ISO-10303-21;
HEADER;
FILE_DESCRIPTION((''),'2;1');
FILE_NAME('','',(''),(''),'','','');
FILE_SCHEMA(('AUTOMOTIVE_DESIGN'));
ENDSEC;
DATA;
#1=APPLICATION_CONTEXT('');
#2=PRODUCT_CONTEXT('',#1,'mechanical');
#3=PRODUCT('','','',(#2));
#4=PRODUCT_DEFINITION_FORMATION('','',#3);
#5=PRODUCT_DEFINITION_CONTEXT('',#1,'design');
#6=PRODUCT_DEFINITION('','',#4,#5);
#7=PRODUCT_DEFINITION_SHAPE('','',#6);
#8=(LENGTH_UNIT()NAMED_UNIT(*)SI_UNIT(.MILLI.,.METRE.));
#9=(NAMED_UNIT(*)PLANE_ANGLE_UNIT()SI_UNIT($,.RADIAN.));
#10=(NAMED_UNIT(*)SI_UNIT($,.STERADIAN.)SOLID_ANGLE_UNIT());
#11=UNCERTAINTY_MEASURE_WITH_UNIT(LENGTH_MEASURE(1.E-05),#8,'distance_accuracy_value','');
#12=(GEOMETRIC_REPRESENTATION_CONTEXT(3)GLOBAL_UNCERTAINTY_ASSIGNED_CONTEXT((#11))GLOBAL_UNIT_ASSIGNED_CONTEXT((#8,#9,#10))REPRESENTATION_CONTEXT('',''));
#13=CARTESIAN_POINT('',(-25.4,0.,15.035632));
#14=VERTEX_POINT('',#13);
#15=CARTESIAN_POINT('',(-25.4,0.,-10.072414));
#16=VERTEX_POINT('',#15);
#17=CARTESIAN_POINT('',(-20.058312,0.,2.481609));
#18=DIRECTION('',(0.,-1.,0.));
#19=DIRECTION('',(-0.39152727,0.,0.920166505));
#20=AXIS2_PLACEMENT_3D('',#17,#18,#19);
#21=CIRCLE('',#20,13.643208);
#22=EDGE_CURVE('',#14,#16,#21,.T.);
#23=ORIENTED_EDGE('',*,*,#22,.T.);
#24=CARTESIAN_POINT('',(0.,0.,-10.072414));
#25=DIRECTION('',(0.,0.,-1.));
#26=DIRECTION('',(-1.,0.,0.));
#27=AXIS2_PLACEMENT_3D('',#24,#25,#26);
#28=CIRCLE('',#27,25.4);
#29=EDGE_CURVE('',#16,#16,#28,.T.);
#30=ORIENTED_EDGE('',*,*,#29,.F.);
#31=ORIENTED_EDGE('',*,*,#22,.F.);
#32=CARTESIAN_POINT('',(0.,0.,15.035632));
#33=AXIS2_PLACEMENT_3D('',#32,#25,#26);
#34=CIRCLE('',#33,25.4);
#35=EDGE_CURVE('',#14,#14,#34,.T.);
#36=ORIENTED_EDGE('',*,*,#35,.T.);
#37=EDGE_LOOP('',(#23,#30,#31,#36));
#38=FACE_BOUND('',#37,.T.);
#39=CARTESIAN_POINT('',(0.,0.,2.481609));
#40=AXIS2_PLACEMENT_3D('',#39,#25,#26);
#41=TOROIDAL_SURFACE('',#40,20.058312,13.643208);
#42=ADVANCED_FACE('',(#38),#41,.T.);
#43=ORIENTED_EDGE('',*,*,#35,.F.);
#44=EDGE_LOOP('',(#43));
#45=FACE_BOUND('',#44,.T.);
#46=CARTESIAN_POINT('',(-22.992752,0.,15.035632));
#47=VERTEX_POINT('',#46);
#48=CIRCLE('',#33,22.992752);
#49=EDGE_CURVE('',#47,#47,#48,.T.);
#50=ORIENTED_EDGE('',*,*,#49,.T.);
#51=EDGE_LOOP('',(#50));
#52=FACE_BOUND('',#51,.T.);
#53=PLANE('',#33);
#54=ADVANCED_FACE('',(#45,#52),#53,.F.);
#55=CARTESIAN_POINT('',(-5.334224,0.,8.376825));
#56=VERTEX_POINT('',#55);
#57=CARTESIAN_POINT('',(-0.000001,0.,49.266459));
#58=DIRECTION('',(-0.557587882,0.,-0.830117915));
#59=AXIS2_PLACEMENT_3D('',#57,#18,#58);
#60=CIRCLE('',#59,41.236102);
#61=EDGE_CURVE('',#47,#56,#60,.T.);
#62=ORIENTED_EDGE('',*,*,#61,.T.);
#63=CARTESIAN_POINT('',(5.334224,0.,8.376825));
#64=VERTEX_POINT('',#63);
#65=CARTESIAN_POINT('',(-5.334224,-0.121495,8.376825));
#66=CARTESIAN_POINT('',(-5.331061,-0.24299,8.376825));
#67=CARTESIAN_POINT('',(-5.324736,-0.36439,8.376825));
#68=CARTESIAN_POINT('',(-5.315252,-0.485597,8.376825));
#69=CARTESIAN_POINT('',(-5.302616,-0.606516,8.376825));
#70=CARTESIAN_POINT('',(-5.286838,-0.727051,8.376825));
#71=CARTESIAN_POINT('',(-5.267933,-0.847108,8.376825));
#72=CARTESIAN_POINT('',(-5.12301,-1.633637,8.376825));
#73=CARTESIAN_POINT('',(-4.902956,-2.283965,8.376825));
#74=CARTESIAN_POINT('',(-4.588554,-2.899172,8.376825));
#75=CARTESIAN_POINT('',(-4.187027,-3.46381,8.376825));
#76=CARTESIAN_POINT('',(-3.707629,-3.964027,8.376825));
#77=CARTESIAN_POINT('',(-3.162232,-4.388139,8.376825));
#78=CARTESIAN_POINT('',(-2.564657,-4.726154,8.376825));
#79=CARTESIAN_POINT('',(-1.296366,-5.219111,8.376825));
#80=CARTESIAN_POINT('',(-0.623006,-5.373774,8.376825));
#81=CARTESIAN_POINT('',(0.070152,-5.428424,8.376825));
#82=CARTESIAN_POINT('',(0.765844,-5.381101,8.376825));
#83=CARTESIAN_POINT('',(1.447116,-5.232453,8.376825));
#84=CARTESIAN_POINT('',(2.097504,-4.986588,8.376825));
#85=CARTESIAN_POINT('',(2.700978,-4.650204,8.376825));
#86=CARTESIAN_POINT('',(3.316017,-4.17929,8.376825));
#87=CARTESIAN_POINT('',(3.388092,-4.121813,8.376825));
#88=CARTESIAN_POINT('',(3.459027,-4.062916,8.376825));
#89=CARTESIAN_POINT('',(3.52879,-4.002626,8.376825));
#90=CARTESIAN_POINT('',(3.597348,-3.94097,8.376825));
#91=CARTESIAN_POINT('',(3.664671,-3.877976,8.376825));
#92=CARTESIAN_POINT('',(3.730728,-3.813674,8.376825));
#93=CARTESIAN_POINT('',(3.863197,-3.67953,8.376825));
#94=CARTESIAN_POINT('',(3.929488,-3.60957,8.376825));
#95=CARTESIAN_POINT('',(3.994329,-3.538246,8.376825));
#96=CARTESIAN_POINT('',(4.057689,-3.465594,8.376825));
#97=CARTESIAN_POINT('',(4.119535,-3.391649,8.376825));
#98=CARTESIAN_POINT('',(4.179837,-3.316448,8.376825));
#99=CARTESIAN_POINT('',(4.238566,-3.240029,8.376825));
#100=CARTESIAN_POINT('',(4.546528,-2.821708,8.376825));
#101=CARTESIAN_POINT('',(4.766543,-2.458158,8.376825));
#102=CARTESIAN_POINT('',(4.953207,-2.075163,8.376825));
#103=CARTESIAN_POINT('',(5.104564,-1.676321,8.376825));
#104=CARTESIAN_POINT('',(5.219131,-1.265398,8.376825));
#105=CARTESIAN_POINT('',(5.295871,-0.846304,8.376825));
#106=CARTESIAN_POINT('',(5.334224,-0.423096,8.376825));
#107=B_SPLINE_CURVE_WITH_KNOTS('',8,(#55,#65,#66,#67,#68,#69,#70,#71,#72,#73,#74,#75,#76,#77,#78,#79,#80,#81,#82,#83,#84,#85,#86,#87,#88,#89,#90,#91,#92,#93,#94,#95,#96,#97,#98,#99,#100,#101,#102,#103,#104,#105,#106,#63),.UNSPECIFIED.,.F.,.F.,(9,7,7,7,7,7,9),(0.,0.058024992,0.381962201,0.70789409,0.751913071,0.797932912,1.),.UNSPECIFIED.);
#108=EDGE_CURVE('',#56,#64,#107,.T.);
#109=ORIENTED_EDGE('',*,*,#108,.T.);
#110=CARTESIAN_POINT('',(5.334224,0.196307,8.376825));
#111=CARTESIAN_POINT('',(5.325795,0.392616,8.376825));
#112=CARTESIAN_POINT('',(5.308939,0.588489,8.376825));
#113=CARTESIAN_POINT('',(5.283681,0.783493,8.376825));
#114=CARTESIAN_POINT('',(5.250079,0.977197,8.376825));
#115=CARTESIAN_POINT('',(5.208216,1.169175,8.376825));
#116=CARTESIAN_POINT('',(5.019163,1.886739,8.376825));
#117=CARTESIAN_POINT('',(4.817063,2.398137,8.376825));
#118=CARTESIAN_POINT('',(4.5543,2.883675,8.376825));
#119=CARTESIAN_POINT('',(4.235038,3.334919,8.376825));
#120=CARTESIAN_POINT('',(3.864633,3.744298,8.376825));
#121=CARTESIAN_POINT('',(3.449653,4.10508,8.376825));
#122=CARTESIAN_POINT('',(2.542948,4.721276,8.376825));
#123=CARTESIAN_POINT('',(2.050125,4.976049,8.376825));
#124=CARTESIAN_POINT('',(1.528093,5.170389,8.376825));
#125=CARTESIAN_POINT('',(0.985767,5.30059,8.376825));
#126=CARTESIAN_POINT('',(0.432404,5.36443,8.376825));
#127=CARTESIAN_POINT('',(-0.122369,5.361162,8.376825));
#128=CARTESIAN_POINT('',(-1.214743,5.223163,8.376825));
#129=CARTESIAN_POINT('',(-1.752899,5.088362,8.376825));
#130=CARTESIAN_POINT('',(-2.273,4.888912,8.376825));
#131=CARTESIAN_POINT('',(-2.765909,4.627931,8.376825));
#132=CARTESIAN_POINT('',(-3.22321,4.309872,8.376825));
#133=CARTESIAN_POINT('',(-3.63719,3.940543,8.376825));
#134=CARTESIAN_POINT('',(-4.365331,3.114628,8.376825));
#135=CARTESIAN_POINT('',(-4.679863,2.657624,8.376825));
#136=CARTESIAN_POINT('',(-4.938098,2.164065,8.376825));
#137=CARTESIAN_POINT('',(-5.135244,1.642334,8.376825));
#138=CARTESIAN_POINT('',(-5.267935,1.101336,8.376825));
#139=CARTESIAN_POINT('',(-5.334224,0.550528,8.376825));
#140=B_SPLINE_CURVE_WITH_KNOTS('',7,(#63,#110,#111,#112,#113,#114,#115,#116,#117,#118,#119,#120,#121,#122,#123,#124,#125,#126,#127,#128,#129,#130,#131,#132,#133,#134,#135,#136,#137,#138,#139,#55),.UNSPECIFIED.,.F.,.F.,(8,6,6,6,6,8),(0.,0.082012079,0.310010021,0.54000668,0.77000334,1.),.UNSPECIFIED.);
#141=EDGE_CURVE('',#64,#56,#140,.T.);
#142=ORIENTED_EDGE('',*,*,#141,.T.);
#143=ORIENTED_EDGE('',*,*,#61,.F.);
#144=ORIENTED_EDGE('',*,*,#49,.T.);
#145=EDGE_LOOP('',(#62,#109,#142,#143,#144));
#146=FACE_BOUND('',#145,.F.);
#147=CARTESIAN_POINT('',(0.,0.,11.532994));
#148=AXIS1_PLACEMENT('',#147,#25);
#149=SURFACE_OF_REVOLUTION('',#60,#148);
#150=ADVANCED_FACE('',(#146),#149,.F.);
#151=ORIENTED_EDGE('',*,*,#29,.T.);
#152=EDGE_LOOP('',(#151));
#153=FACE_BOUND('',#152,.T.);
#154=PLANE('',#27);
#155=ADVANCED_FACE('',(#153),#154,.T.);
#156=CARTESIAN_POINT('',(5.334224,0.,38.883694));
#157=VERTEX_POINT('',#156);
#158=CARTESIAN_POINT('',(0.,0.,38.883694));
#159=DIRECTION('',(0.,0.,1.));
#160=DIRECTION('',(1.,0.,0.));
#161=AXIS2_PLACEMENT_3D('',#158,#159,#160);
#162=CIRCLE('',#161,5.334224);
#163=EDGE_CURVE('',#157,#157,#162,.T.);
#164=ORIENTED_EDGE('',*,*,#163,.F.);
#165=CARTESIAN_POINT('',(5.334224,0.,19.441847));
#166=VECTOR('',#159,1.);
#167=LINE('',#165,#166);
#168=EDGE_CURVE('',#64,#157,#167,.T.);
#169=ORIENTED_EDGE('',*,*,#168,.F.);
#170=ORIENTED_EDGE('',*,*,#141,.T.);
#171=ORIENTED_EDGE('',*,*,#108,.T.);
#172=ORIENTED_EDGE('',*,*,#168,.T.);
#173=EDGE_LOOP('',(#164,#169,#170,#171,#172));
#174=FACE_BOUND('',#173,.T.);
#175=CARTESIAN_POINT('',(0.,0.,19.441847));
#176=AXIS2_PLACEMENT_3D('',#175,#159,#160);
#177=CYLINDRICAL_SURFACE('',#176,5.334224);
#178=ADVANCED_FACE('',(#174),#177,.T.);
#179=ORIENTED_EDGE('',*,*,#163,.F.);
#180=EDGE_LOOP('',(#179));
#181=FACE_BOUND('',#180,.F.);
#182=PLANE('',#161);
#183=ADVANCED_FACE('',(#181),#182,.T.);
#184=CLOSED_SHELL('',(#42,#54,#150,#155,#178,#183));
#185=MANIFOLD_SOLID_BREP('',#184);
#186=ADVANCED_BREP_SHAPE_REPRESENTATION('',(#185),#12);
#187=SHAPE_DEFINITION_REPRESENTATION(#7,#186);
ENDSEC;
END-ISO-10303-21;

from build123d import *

# Parameters (mm, degrees)
F4_W = 5.334224
F4_H = 38.883694


with BuildPart() as f1:
    # F0 (on Front) → F1 (revolve)
    with BuildSketch(Plane.XZ):
        with BuildLine():
            Line((0, -10.072414), (0, 15.035632))
            Line((0, 15.035632), (-25.4, 15.035632))
            ThreePointArc((-25.4, 15.035632), (-33.70152, 2.481609), (-25.4, -10.072414))
            Line((-25.4, -10.072414), (0, -10.072414))
        make_face()
    revolve(axis=Axis((0, 0, 2.481609), (0, 0, -1)))

    # F2 (on Front) → F3 (revolve, cut)
    with BuildSketch(Plane.XZ):
        with BuildLine():
            Line((0, 15.035632), (-22.992752, 15.035632))
            ThreePointArc((-22.992752, 15.035632), (-12.018117, 9.820534), (0, 8.030357))
            Line((0, 8.030357), (0, 15.035632))
        make_face()
    revolve(axis=Axis((0, 0, 11.532994), (0, 0, -1)), mode=Mode.SUBTRACT)

    # F4 (on Front) → F5 (revolve)
    with BuildSketch(Plane.XZ):
        with Locations((2.667112, 19.441847)):
            Rectangle(F4_W, F4_H)
    revolve(axis=Axis((0, 0, 19.441847), (0, 0, 1)))


solid = f1.part
